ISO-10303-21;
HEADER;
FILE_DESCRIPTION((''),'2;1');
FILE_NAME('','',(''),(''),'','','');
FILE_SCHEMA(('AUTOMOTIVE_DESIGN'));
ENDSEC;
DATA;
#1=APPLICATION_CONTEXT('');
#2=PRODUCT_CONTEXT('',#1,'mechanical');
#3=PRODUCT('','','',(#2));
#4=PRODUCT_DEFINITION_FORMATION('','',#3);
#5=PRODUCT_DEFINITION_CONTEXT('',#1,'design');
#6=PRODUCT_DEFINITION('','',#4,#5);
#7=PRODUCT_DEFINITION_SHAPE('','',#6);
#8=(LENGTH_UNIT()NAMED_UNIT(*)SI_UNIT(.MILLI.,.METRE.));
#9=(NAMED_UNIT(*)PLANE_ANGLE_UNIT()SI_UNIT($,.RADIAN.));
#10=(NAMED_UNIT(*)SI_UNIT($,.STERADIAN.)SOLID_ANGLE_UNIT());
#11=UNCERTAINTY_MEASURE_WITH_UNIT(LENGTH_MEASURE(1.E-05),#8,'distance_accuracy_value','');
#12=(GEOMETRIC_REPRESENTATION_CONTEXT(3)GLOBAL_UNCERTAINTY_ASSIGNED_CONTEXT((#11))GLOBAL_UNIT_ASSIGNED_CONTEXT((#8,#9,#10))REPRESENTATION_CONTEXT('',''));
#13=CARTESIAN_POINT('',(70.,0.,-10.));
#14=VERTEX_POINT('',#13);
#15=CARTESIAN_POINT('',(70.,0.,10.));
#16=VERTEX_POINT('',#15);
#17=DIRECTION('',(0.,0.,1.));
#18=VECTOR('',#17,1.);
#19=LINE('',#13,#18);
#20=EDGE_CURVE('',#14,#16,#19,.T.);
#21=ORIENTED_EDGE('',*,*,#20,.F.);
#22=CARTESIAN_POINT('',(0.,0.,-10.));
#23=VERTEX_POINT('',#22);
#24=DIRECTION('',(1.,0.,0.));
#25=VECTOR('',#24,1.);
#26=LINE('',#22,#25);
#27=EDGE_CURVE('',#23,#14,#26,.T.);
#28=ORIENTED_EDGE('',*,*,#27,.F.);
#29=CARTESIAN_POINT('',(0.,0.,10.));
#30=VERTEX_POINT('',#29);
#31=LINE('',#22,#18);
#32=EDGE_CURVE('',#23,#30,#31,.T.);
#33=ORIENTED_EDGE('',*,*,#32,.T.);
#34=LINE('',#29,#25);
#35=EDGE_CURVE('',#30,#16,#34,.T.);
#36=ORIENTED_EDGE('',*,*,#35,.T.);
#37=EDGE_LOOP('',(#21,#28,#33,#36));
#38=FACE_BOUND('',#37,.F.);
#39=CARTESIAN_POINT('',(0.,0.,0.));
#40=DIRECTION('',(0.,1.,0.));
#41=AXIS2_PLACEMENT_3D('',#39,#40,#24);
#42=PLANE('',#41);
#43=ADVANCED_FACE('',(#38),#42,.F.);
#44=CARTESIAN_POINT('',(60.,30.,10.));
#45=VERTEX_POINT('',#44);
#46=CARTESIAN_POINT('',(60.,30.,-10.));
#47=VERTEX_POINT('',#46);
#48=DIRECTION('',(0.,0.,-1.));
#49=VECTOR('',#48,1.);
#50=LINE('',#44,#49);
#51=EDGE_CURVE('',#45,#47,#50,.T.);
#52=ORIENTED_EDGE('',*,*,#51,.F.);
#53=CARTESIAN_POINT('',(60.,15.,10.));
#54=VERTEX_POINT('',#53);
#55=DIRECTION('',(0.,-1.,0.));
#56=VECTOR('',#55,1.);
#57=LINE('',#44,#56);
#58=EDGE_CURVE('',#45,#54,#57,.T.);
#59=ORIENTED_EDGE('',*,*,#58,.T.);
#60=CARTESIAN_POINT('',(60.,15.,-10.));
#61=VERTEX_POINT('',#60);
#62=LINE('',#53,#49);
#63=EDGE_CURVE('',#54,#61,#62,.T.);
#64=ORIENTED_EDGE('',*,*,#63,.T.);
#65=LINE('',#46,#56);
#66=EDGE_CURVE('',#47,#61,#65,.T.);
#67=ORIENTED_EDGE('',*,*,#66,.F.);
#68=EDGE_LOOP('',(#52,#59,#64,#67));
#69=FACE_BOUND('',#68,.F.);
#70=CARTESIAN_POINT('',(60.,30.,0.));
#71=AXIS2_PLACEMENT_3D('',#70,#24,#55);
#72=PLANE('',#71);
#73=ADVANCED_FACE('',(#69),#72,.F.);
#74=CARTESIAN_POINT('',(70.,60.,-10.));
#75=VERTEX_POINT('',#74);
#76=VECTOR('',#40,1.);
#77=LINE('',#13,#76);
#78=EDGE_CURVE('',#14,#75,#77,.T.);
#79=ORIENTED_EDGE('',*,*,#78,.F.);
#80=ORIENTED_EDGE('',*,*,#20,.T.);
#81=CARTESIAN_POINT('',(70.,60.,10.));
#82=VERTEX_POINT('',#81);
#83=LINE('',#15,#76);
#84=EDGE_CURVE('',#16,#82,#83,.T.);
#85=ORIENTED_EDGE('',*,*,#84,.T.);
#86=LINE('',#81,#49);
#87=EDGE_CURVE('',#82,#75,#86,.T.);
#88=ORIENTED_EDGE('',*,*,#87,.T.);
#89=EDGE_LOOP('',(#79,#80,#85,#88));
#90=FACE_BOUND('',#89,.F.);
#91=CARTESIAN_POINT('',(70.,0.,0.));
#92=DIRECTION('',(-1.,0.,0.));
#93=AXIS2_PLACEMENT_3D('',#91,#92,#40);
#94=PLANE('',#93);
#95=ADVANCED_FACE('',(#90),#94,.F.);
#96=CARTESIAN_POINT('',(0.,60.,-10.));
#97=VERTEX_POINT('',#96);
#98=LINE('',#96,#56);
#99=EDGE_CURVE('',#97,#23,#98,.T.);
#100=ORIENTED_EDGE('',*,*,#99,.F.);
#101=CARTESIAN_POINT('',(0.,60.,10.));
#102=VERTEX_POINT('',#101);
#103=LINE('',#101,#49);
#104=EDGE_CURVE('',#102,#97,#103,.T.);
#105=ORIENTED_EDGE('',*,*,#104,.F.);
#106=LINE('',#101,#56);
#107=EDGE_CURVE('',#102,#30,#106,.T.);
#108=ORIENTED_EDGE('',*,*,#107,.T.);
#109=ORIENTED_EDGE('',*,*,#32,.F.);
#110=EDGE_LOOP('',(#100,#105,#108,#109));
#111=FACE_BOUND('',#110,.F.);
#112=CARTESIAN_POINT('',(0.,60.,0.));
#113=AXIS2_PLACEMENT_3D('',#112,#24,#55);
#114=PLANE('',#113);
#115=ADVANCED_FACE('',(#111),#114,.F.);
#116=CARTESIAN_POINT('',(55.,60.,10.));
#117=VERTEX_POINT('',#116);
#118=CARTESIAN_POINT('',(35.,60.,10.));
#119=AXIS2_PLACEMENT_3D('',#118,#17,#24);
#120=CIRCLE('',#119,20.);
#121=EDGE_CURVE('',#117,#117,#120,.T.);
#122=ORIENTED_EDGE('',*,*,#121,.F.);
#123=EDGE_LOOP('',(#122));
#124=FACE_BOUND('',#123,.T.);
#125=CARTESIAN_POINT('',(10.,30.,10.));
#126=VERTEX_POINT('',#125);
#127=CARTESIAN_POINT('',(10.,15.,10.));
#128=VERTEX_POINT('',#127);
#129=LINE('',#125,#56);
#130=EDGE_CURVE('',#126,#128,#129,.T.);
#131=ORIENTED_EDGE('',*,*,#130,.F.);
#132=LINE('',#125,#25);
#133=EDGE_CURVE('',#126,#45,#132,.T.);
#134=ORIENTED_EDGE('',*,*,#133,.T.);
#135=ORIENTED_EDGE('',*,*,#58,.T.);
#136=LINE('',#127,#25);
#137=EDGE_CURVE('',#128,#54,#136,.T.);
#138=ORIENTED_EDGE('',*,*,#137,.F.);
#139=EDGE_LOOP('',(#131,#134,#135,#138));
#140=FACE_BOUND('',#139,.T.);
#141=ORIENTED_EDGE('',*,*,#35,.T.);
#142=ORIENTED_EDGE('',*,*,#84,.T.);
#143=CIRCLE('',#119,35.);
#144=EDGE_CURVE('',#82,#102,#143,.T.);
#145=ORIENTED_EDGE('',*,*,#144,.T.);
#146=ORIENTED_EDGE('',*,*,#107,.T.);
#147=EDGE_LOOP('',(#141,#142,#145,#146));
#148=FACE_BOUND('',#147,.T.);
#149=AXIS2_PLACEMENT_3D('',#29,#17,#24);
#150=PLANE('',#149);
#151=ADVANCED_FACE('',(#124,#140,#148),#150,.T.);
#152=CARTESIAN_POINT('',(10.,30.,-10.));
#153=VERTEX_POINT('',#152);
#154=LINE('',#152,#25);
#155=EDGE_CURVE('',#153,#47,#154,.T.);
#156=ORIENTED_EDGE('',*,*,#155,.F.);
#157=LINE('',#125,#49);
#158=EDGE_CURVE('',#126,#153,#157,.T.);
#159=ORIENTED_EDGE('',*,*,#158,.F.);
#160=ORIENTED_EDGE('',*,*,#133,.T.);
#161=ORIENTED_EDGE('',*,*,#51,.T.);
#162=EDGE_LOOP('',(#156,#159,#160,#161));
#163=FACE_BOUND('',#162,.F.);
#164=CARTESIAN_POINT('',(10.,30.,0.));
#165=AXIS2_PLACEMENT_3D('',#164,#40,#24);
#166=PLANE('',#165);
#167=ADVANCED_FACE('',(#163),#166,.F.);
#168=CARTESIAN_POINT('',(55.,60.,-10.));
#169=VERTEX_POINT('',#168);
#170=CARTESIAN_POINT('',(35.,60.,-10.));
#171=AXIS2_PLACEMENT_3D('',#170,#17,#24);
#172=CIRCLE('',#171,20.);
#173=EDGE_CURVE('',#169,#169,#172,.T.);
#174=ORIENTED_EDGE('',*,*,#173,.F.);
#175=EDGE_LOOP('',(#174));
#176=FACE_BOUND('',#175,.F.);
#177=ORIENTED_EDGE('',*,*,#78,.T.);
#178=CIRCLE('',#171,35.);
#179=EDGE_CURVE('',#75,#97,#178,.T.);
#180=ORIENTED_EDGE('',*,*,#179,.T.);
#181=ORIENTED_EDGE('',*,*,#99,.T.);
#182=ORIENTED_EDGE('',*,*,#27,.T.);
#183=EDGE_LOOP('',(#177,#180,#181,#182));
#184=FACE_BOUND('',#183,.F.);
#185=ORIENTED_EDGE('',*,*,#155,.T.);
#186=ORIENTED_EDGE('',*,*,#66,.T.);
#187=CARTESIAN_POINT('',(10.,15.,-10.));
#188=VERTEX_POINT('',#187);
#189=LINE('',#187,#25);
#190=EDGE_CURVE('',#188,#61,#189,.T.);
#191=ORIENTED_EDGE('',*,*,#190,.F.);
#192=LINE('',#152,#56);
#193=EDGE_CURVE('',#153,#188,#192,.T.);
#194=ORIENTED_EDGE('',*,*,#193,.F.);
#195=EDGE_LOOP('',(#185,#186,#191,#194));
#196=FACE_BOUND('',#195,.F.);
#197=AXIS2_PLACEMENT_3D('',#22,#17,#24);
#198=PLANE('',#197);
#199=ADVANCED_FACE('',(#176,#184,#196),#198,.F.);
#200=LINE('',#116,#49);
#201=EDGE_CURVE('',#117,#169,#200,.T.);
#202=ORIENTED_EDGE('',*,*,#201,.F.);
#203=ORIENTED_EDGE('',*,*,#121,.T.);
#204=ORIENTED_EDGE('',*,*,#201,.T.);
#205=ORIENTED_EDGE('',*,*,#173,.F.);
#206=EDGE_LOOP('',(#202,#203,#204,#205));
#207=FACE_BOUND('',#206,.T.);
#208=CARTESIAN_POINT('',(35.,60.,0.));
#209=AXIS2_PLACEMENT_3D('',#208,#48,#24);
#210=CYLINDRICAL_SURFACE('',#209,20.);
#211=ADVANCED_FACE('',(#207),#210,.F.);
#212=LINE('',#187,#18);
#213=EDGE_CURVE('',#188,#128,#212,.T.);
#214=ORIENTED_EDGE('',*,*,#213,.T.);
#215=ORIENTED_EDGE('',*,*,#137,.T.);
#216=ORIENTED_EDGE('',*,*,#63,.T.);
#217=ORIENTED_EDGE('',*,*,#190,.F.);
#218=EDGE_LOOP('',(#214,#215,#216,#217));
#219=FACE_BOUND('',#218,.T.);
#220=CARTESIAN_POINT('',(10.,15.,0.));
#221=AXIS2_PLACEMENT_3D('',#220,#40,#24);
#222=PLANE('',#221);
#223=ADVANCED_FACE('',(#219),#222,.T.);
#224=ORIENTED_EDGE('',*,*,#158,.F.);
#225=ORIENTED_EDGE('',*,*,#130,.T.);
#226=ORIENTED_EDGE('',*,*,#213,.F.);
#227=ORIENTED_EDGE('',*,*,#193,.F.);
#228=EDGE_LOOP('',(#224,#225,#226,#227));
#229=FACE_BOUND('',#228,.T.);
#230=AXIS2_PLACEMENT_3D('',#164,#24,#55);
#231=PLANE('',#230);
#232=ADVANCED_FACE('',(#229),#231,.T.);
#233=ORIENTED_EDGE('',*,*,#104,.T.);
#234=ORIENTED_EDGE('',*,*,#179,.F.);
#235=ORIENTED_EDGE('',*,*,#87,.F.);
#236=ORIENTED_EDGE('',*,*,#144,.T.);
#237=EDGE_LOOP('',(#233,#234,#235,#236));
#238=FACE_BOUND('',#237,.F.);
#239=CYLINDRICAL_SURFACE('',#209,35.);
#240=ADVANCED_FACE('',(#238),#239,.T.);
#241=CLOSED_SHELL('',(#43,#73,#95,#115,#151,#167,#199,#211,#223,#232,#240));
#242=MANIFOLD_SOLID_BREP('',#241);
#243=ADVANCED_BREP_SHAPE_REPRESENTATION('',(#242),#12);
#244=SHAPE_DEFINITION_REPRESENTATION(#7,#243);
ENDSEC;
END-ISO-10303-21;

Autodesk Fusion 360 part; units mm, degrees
sketch "Sketch1" plane through (0, 0, 0) normal (0, 0, 1) x (1, 0, 0)
  line L0 (0, 0) -> (70, 0)
  line L1 (70, 0) -> (70, 60)
  line L2 (0, 60) -> (0, 0)
  circle A0 centre (35, 60) radius 20
  line L3 (10, 15) -> (60, 15)
  line L4 (10, 30) -> (60, 30)
  line L5 (10, 30) -> (10, 15)
  line L6 (60, 30) -> (60, 15)
  arc A1 (70, 60) -> (0, 60) centre (35, 60) ccw
  dimension "d1" = 70
  dimension "d2" = 60
  dimension "d14" = 10
  dimension "d15" = 15
  dimension "d17" = 40
  dimension "d18" = 35
  dimension "d20" = 50
  dimension "d21" = 15
extrude "Extrude1" add sketch "Sketch1" along normal mid plane 20
